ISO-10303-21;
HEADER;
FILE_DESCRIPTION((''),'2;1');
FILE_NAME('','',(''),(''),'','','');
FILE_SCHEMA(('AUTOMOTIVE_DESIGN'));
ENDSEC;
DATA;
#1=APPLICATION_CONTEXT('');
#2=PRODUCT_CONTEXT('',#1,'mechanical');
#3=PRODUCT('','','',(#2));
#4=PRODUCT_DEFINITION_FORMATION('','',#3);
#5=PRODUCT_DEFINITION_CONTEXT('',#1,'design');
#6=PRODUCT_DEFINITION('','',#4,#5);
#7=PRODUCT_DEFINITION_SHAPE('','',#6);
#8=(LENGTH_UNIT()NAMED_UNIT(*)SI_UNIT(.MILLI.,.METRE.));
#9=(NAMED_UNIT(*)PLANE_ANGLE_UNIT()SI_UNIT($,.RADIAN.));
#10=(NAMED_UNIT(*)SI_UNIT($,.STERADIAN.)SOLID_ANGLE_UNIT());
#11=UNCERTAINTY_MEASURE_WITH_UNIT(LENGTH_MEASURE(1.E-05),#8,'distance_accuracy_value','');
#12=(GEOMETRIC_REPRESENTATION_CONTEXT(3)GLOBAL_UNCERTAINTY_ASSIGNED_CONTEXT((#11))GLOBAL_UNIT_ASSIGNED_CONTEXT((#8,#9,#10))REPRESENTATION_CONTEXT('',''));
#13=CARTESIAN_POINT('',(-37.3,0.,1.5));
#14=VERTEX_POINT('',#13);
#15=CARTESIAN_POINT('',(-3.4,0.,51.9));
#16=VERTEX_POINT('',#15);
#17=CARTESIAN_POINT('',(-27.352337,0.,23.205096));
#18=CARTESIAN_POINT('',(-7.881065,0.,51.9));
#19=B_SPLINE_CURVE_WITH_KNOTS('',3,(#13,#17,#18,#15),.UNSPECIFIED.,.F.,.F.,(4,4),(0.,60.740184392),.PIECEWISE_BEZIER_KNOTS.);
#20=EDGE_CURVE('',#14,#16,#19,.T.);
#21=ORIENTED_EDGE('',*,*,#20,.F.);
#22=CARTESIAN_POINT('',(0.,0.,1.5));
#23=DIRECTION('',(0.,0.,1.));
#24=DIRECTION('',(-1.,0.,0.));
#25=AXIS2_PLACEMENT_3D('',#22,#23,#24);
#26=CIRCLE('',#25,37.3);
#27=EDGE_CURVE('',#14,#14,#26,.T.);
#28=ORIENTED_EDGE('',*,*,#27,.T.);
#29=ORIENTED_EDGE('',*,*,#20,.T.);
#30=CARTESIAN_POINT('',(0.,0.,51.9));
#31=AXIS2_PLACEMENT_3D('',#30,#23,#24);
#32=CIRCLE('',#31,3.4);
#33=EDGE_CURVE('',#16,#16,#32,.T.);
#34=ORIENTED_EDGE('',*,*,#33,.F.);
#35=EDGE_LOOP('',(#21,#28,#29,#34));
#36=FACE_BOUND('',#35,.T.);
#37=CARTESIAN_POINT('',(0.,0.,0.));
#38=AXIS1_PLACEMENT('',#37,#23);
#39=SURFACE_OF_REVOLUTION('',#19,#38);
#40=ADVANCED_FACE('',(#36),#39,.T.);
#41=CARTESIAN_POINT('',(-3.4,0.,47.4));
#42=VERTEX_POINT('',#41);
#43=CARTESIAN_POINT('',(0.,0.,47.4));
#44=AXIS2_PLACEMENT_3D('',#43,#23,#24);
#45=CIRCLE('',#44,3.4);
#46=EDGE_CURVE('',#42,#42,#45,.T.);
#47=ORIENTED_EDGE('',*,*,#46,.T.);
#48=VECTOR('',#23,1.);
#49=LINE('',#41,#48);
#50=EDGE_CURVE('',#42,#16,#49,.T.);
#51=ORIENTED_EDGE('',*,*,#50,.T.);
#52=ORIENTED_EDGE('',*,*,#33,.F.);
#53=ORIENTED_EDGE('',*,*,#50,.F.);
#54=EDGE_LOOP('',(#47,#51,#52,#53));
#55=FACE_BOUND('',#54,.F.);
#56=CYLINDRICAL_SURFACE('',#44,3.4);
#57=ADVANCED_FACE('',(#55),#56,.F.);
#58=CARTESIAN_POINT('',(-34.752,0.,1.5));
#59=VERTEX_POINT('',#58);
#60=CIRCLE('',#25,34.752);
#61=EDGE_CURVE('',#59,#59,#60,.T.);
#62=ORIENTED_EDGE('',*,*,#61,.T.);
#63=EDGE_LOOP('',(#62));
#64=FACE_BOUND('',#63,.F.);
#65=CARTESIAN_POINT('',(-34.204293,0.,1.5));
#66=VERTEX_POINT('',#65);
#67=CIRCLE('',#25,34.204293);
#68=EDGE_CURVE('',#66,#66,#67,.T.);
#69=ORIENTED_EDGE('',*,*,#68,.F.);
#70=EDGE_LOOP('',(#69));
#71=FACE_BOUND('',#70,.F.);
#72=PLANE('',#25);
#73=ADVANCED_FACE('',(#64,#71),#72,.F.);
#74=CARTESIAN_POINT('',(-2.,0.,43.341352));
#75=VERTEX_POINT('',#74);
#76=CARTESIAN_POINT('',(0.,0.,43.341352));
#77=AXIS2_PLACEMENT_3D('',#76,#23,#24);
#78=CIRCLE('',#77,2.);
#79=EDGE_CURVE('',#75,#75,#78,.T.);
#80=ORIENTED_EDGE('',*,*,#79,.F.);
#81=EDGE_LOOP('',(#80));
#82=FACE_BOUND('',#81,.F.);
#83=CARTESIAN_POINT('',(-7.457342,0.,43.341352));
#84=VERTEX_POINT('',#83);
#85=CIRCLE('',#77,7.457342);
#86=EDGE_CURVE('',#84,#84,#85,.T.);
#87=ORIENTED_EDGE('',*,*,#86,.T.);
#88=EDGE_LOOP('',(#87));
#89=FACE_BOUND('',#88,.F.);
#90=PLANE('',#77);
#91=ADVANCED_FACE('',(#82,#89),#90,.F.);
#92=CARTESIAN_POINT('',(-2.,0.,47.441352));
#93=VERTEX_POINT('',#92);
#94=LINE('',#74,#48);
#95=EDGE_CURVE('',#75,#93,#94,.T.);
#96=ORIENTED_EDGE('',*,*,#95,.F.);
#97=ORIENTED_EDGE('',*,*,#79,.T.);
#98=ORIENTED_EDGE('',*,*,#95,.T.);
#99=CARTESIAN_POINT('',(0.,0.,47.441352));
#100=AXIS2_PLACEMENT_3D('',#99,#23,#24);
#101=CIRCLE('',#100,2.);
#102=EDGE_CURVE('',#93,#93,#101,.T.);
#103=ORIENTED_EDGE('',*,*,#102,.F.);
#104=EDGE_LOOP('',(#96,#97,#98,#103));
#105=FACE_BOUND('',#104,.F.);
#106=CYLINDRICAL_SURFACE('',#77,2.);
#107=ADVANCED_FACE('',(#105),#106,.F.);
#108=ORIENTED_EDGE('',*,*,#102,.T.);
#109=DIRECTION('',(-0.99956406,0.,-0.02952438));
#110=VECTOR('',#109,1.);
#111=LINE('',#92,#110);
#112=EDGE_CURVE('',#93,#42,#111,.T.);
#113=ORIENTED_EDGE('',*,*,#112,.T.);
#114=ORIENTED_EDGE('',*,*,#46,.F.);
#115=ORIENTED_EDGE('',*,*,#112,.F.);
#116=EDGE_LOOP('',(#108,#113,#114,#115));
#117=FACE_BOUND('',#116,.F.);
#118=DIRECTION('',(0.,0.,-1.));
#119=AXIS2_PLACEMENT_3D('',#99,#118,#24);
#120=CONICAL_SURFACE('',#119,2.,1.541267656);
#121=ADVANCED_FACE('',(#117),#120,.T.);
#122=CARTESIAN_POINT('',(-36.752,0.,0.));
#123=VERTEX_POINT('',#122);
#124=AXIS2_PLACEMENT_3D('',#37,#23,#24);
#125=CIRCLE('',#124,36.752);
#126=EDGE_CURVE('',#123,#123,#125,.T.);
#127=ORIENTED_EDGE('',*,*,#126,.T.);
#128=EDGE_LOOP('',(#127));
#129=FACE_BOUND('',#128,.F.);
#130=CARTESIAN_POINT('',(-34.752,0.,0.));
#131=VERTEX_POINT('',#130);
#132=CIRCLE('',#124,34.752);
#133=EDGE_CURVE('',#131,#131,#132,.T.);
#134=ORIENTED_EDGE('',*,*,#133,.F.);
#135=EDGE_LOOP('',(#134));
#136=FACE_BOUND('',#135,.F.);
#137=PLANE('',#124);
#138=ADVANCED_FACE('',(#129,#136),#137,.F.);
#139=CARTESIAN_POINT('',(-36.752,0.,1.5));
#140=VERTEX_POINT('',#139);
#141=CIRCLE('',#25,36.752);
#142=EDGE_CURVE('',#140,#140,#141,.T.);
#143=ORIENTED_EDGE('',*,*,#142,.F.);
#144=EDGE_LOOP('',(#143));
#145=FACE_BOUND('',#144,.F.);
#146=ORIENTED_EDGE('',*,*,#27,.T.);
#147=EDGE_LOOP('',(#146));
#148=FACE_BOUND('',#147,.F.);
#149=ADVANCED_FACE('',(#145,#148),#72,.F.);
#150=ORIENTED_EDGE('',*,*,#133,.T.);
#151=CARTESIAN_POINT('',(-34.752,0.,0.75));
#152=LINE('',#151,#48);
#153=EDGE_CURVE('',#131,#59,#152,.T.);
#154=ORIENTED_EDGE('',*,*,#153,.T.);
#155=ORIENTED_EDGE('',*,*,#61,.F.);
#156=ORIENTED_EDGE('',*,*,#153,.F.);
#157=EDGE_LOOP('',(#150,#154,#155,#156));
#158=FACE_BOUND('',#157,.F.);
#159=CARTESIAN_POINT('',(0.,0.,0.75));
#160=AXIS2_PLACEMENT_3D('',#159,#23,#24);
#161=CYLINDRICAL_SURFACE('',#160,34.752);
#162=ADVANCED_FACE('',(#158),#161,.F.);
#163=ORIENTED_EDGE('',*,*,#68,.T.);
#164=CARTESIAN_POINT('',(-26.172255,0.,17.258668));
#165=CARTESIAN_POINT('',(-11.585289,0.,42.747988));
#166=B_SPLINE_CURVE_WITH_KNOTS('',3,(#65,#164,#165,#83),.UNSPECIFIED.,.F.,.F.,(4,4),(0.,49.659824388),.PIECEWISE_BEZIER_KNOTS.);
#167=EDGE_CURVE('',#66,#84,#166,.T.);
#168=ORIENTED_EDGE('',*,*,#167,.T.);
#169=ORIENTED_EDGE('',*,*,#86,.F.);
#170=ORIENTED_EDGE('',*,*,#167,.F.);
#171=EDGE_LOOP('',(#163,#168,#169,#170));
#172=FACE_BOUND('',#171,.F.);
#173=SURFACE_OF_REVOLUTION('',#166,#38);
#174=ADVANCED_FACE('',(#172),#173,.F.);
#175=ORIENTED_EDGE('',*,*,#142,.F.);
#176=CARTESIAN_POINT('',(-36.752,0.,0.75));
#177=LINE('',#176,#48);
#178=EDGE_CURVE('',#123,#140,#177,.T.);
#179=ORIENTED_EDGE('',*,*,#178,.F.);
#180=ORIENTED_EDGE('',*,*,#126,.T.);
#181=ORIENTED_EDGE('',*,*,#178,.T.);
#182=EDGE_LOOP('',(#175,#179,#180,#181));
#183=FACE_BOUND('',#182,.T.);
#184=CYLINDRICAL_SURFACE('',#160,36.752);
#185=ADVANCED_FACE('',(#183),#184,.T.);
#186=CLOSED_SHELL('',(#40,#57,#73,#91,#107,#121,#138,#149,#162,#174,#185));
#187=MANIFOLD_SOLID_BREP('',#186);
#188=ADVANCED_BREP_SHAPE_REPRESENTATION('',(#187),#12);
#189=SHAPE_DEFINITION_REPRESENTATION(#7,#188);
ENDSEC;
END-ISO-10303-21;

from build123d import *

# Parameters (mm, degrees)
F0_W = 2
F0_H = 1.5


with BuildPart() as f2:
    # F0 (on Front) → F2 (revolve)
    with BuildSketch(Plane.XZ):
        with BuildLine():
            Line((-3.4, 47.4), (-3.4, 51.9))
            add(Edge.make_bspline(
                [(-37.3, 1.5), (-27.3523367941, 23.2050957464), (-7.8810648993, 51.9), (-3.4, 51.9)],
                knots=[0, 0, 0, 0, 60.7401843922, 60.7401843922, 60.7401843922, 60.7401843922], degree=3))
            Line((-37.3, 1.5), (-36.752, 1.5))
            Line((-36.752, 1.5), (-34.752, 1.5))
            Line((-34.752, 1.5), (-34.2042931025, 1.5))
            add(Edge.make_bspline(
                [(-34.2042931025, 1.5), (-26.1722553611, 17.2586675336), (-11.5852886811, 42.7479877156), (-7.4573417298, 43.3413521588)],
                knots=[0, 0, 0, 0, 49.6598243876, 49.6598243876, 49.6598243876, 49.6598243876], degree=3))
            Line((-7.4573417298, 43.3413521588), (-2, 43.3413521588))
            Line((-2, 43.3413521588), (-2, 47.4413521588))
            Line((-2, 47.4413521588), (-3.4, 47.4))
        make_face()
        with Locations((-35.752, 0.75)):
            Rectangle(F0_W, F0_H)
    revolve(axis=Axis((0, 0, 0), (0, 0, 1)))


solid = f2.part
